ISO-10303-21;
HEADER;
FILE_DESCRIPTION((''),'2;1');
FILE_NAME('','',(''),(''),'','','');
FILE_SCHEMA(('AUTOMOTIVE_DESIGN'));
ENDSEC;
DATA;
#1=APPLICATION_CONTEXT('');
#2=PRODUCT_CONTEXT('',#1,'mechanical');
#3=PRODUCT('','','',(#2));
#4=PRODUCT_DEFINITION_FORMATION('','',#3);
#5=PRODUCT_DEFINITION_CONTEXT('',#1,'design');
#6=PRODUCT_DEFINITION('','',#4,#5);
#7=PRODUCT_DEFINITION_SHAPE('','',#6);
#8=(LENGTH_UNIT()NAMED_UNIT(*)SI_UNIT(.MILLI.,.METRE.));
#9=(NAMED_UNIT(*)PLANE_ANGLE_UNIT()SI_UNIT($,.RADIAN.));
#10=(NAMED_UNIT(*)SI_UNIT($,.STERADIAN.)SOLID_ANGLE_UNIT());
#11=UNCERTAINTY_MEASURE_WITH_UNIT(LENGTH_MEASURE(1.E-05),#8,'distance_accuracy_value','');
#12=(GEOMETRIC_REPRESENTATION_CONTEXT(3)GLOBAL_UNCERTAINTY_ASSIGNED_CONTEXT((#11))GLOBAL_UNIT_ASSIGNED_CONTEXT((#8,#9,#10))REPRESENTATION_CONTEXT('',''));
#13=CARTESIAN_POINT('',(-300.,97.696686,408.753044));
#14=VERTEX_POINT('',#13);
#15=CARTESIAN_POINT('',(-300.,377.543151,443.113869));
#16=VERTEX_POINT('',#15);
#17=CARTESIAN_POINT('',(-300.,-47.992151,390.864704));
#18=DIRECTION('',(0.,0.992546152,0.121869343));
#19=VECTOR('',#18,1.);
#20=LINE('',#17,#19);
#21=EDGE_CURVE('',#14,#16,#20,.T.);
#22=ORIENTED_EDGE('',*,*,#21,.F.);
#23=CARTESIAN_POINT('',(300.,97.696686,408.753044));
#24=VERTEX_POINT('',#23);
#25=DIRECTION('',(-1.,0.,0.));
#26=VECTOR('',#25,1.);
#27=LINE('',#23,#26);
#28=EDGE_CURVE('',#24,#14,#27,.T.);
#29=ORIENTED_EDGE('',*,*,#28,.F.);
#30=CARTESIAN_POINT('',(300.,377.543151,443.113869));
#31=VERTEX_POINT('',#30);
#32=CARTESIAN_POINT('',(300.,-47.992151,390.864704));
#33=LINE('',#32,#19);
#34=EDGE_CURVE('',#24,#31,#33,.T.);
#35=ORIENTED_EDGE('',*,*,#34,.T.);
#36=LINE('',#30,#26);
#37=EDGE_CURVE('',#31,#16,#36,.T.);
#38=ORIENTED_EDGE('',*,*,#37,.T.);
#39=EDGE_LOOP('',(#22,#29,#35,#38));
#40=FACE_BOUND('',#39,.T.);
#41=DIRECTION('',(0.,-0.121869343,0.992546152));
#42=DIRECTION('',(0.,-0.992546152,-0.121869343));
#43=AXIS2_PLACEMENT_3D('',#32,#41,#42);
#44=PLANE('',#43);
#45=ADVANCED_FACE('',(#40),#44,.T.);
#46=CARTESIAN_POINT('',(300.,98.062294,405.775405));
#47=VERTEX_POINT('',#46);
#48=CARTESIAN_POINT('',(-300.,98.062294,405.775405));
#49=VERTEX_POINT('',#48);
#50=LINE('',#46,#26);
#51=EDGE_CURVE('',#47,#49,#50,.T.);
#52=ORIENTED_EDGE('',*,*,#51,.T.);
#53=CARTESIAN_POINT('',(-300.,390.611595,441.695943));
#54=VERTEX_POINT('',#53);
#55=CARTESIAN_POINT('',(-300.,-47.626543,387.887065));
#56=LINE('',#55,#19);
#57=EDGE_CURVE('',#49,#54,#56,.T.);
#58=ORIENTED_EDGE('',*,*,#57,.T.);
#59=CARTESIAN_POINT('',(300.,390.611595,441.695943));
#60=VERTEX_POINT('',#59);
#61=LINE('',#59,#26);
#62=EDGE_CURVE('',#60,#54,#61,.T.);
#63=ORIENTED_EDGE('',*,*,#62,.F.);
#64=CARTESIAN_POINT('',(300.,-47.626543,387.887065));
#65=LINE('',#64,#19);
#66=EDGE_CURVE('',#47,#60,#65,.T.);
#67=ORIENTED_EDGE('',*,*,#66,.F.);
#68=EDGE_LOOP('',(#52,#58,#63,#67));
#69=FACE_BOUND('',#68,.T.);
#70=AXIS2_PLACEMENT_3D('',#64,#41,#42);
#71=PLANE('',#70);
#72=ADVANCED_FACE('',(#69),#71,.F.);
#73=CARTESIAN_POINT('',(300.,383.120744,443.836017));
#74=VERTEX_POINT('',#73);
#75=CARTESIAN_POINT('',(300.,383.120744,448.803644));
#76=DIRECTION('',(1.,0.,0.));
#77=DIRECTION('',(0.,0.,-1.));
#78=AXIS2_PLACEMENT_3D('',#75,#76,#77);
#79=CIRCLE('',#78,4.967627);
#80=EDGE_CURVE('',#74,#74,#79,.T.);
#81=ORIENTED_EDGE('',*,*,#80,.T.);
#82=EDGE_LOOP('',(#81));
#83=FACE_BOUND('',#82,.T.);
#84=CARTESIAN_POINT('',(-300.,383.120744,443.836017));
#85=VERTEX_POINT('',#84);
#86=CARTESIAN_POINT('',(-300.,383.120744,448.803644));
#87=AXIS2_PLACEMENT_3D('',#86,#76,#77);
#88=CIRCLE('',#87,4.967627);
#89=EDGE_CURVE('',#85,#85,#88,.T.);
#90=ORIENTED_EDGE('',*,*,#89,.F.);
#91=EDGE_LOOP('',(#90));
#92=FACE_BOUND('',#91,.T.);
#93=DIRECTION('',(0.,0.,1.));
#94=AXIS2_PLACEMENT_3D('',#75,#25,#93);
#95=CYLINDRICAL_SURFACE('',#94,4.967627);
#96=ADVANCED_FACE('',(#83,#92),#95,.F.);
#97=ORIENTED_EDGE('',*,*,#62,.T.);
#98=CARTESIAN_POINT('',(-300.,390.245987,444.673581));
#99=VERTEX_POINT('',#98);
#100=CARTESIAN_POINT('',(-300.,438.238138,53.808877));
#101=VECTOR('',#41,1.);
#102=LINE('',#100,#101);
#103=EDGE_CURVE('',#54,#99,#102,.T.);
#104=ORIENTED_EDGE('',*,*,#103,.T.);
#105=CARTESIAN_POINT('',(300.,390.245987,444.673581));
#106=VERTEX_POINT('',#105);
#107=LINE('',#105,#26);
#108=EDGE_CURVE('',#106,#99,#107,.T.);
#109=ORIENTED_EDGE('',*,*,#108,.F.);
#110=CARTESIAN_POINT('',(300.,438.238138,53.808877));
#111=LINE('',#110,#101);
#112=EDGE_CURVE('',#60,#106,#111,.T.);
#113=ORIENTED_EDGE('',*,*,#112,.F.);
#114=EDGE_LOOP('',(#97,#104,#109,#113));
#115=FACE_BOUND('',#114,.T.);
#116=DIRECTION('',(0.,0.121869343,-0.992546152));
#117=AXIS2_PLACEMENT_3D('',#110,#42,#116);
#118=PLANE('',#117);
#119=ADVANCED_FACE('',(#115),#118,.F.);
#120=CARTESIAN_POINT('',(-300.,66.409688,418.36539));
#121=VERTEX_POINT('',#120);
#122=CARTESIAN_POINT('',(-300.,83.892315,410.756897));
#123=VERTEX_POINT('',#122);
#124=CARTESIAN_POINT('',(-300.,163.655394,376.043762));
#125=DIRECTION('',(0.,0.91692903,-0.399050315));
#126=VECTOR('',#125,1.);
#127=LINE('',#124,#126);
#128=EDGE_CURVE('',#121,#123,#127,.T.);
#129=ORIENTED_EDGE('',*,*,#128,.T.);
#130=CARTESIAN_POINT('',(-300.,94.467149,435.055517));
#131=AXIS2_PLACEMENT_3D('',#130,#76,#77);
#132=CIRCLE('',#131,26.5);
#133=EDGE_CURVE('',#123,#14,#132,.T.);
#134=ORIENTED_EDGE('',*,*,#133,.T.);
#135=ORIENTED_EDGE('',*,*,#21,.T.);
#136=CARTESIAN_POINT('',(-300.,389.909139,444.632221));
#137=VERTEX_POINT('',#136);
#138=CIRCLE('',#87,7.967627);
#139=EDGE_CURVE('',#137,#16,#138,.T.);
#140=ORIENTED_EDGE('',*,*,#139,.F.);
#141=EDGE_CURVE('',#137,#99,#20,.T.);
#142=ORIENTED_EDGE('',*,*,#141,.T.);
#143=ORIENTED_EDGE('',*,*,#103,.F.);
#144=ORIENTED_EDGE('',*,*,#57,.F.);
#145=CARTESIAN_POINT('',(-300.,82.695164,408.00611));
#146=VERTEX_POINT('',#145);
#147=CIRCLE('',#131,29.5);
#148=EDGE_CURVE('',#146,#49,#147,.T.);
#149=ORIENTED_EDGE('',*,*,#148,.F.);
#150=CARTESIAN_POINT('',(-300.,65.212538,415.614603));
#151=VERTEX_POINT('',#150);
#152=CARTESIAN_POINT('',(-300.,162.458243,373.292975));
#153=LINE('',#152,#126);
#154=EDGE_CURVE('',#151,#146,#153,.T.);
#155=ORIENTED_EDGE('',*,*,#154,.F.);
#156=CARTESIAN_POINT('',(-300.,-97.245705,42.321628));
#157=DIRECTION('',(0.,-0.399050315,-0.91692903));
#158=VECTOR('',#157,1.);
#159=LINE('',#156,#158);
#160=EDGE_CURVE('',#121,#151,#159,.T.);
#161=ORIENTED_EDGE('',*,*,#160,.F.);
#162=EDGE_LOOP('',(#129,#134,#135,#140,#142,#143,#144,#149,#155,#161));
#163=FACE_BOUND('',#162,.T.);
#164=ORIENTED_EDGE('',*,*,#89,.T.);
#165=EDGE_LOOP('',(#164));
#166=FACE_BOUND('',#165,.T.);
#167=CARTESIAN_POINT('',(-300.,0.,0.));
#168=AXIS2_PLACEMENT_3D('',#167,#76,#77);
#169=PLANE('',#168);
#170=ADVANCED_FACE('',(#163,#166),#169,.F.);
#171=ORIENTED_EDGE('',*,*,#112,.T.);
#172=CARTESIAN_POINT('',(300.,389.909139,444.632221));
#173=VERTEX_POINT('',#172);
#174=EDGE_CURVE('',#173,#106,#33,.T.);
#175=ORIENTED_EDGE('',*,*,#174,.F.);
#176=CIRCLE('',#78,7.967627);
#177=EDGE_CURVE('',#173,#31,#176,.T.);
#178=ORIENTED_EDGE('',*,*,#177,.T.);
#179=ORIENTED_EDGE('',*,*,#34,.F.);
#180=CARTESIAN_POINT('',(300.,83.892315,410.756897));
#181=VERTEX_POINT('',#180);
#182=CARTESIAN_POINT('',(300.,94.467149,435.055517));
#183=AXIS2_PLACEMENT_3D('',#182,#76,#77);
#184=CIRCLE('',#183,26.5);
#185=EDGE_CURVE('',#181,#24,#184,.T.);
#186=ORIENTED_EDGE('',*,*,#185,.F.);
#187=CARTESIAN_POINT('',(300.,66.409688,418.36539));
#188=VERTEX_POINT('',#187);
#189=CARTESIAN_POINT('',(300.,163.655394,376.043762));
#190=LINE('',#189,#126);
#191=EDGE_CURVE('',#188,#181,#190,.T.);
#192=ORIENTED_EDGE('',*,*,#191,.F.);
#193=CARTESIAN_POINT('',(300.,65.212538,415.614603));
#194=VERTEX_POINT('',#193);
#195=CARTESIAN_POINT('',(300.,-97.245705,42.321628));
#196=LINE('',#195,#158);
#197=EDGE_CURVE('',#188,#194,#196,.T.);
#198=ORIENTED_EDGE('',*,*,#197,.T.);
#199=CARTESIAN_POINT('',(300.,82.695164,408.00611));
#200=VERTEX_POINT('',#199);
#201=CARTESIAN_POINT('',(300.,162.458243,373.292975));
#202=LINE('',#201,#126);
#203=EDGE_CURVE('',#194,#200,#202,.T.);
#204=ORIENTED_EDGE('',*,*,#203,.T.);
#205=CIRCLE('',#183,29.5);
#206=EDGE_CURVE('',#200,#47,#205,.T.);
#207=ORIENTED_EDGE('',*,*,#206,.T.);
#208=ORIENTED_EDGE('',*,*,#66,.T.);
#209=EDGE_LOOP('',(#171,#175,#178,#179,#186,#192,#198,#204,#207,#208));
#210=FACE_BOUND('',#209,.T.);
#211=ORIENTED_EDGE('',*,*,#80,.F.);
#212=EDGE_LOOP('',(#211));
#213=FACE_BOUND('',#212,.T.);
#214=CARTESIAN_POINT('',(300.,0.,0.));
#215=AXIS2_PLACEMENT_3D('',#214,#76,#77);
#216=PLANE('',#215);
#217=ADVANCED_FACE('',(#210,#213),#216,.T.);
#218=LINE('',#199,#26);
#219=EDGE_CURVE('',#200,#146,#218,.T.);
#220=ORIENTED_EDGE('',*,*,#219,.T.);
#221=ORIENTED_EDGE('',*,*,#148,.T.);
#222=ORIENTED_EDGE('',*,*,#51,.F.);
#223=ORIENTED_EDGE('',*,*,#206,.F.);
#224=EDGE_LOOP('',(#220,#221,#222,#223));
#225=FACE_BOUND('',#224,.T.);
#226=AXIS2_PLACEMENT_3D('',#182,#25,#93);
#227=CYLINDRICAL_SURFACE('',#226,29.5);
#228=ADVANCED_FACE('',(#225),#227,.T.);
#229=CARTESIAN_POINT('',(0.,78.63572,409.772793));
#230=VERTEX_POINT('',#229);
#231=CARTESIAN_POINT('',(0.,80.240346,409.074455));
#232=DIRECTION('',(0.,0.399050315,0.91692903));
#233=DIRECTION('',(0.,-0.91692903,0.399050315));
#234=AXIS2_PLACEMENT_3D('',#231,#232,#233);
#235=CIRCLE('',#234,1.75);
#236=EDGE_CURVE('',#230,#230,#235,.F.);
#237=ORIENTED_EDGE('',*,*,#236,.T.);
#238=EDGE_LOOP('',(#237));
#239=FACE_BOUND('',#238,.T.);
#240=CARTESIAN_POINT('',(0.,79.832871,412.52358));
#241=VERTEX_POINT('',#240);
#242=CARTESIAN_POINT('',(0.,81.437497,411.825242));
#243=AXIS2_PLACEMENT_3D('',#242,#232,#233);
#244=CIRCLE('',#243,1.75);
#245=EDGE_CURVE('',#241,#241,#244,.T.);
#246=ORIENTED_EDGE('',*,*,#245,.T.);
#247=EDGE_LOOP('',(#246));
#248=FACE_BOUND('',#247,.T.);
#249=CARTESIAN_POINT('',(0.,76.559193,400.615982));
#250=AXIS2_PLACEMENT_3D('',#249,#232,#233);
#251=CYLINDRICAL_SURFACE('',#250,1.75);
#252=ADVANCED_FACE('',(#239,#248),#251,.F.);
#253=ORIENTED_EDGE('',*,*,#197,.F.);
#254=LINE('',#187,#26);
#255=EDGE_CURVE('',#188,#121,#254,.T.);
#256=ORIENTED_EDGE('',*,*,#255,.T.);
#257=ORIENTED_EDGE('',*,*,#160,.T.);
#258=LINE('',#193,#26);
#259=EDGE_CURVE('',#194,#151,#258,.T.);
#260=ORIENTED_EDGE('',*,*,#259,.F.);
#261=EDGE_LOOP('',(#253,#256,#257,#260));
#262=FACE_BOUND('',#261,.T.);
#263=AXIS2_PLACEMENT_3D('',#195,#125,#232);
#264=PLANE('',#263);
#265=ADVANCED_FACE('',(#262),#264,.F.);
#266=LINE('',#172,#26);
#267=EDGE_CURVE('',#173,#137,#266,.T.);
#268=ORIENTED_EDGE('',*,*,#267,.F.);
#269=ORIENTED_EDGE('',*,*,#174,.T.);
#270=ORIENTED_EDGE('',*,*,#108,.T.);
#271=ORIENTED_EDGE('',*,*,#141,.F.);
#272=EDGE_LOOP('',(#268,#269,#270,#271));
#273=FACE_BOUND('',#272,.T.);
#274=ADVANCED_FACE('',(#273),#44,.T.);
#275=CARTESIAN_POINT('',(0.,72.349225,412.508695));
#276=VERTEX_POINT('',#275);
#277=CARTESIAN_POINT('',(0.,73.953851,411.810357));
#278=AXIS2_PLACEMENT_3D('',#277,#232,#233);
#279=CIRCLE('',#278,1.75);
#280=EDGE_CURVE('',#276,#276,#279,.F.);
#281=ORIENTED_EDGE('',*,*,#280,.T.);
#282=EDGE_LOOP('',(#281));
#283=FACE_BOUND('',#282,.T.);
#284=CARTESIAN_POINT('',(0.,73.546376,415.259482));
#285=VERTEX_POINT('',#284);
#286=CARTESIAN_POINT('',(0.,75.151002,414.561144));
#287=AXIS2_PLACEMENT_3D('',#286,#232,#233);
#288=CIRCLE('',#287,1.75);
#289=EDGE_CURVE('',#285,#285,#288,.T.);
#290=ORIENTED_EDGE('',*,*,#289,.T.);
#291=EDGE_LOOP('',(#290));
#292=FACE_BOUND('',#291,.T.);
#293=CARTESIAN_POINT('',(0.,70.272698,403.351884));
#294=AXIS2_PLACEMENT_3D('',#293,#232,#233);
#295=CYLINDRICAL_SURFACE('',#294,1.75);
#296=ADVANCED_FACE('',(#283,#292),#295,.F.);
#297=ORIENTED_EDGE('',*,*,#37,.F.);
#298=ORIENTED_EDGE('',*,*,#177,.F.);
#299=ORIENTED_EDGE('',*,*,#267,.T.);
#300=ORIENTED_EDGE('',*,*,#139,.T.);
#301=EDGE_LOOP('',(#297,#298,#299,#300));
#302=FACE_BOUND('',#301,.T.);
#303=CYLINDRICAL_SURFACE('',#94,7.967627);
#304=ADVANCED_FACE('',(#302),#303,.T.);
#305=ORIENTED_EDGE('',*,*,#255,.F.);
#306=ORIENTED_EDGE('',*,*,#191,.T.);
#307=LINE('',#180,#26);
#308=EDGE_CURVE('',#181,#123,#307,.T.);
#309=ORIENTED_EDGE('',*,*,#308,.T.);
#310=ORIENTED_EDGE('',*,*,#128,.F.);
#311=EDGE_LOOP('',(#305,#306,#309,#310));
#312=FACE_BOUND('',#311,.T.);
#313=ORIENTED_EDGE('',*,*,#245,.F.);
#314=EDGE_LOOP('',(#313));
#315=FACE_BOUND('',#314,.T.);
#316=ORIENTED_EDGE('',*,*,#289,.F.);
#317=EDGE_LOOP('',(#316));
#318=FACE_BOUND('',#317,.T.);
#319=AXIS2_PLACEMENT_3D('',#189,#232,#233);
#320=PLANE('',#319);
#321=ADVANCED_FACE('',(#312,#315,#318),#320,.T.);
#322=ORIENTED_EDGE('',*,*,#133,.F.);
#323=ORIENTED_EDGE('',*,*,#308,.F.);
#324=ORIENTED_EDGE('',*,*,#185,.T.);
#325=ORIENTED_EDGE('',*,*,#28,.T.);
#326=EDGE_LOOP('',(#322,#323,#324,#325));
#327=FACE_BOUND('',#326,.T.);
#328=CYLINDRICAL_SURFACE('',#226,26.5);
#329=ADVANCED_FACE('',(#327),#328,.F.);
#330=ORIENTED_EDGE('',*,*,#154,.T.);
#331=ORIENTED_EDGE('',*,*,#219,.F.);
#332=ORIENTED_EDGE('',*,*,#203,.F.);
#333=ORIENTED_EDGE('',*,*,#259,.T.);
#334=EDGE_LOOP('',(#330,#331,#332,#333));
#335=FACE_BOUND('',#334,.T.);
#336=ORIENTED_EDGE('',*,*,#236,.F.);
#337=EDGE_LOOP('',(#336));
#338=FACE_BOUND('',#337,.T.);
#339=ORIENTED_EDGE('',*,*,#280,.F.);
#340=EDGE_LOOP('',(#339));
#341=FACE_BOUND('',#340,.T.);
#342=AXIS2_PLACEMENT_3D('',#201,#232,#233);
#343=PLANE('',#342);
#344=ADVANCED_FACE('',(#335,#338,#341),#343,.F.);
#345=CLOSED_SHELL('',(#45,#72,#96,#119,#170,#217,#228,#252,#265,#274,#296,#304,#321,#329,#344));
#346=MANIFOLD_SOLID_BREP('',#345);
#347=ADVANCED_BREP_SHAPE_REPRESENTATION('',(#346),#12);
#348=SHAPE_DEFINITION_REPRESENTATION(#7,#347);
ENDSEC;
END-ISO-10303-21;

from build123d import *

# Parameters (mm, degrees)
SKETCH2_R        = 4.967627027
MAIN_DEPTH       = 300
SCREW_HOLE_REACH = 387.023
SKETCH3_R        = 1.75


with BuildPart() as part:
    # Sketch2 → Main (new, symmetric)
    with BuildSketch(Plane(origin=(0, 0, 0), x_dir=(0, 0, -1), z_dir=(1, 0, 0))):
        with BuildLine():
            Line((-418.365390033, 66.409688449), (-415.614602943, 65.212537504))
            Line((-415.614602943, 65.212537504), (-408.006110333, 82.695164353))
            ThreePointArc((-408.006110333, 82.695164353), (-405.861496509, 90.229320908), (-405.775405247, 98.062294273))
            Line((-405.775405247, 98.062294273), (-441.695942664, 390.611594874))
            Line((-441.695942664, 390.611594874), (-444.673581118, 390.245986843))
            Line((-444.673581118, 390.245986843), (-444.632221398, 389.90913895))
            ThreePointArc((-444.632221398, 389.90913895), (-456.711881838, 382.149734123), (-443.113869014, 377.543151133))
            Line((-443.113869014, 377.543151133), (-408.753043702, 97.696686242))
            ThreePointArc((-408.753043702, 97.696686242), (-408.83037992, 90.66028644), (-410.756897423, 83.892315298))
            Line((-410.756897423, 83.892315298), (-418.365390033, 66.409688449))
        make_face()
        with Locations((-448.803644294, 383.120743597)):
            Circle(SKETCH2_R, mode=Mode.SUBTRACT)
    extrude(amount=MAIN_DEPTH, both=True)

    # Sketch3 → Screw Hole (cut, up to next)
    with BuildSketch(Plane(origin=(0, 163.655393922, 376.043761949), x_dir=(1, 0, 0), z_dir=(0, 0.3990503148824781, 0.9169290300738631)), mode=Mode.PRIVATE) as screw_hole_sk1:
        with Locations((0, -96.522619686)):
            Circle(SKETCH3_R)
    screw_hole_tool1 = extrude(screw_hole_sk1.sketch, amount=-SCREW_HOLE_REACH, mode=Mode.PRIVATE) & part.part
    # Sketch3 → Screw Hole (cut, up to next)
    with BuildSketch(Plane(origin=(0, 163.655393922, 376.043761949), x_dir=(1, 0, 0), z_dir=(0, 0.3990503148824781, 0.9169290300738631)), mode=Mode.PRIVATE) as screw_hole_sk2:
        with Locations((0, -89.666587201)):
            Circle(SKETCH3_R)
    screw_hole_tool2 = extrude(screw_hole_sk2.sketch, amount=-SCREW_HOLE_REACH, mode=Mode.PRIVATE) & part.part
    add(screw_hole_tool1.solids().sort_by_distance((0, 75.151002, 414.561144))[0], mode=Mode.SUBTRACT)
    add(screw_hole_tool2.solids().sort_by_distance((0, 81.437497, 411.825242))[0], mode=Mode.SUBTRACT)


solid = part.part
